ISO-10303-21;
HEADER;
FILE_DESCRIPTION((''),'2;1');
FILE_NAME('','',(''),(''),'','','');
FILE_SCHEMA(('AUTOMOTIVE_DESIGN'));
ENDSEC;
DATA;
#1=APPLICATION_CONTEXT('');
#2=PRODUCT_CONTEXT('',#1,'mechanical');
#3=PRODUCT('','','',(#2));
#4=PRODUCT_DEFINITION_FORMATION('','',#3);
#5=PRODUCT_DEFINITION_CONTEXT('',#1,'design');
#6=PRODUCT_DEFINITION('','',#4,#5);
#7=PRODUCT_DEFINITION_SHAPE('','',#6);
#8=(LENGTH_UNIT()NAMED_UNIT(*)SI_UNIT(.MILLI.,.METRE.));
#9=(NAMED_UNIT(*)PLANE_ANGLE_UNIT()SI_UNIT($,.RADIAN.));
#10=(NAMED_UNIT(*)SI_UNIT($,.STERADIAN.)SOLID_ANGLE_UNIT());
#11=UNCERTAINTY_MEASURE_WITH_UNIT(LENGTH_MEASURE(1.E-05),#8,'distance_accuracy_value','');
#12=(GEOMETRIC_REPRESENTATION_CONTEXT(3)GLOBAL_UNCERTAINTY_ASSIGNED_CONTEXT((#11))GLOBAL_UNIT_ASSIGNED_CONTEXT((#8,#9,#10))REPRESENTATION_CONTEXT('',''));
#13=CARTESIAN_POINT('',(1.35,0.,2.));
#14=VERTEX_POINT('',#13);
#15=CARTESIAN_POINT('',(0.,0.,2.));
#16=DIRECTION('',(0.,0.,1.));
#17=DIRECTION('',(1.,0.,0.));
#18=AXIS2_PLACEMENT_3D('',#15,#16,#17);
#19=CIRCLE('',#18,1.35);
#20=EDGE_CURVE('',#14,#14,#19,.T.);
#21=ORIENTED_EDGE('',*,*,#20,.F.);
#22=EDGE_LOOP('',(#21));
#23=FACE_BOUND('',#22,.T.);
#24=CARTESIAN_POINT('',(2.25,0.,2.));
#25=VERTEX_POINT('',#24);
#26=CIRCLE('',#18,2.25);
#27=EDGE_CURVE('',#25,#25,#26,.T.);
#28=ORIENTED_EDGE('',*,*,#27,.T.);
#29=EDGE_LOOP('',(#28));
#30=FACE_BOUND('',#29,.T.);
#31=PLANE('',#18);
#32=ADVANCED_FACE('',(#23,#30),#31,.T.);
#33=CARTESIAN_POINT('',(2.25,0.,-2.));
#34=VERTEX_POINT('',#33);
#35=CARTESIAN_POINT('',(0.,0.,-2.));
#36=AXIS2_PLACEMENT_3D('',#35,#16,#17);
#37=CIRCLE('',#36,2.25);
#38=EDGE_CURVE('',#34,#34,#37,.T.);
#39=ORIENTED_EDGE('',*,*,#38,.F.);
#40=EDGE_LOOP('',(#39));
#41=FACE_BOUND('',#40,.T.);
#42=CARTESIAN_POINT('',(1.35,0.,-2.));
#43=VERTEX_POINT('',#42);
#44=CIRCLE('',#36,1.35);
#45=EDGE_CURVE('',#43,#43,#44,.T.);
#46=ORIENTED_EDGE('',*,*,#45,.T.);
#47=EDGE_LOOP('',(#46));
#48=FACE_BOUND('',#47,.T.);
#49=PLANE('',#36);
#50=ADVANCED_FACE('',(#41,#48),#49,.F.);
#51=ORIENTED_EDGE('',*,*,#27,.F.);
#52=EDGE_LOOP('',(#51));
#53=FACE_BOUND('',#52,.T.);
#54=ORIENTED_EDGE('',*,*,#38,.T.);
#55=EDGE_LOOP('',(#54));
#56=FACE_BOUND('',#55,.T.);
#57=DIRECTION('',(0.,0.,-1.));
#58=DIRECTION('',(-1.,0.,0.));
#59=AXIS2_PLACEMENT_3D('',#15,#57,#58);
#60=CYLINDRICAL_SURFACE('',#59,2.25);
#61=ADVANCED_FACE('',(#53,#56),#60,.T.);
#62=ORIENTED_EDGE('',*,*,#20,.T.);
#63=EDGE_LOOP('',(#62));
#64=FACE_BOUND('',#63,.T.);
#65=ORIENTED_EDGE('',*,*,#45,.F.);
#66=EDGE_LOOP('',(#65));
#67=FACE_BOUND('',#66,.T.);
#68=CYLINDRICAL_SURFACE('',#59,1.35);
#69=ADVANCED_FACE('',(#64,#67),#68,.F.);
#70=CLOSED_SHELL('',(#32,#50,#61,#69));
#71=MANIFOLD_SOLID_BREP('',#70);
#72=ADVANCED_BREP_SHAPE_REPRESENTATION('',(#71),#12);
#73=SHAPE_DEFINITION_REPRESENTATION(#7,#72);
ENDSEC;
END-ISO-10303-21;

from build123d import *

# Parameters (mm, degrees)
SKETCH1_R      = 2.25
SKETCH1_R_2    = 1.35
EXTRUDE1_DEPTH = 2


with BuildPart() as part:
    # Sketch1 → Extrude1 (new body, symmetric)
    with BuildSketch(Plane.XY):
        Circle(SKETCH1_R)
        Circle(SKETCH1_R_2, mode=Mode.SUBTRACT)
    extrude(amount=EXTRUDE1_DEPTH, both=True)


solid = part.part
